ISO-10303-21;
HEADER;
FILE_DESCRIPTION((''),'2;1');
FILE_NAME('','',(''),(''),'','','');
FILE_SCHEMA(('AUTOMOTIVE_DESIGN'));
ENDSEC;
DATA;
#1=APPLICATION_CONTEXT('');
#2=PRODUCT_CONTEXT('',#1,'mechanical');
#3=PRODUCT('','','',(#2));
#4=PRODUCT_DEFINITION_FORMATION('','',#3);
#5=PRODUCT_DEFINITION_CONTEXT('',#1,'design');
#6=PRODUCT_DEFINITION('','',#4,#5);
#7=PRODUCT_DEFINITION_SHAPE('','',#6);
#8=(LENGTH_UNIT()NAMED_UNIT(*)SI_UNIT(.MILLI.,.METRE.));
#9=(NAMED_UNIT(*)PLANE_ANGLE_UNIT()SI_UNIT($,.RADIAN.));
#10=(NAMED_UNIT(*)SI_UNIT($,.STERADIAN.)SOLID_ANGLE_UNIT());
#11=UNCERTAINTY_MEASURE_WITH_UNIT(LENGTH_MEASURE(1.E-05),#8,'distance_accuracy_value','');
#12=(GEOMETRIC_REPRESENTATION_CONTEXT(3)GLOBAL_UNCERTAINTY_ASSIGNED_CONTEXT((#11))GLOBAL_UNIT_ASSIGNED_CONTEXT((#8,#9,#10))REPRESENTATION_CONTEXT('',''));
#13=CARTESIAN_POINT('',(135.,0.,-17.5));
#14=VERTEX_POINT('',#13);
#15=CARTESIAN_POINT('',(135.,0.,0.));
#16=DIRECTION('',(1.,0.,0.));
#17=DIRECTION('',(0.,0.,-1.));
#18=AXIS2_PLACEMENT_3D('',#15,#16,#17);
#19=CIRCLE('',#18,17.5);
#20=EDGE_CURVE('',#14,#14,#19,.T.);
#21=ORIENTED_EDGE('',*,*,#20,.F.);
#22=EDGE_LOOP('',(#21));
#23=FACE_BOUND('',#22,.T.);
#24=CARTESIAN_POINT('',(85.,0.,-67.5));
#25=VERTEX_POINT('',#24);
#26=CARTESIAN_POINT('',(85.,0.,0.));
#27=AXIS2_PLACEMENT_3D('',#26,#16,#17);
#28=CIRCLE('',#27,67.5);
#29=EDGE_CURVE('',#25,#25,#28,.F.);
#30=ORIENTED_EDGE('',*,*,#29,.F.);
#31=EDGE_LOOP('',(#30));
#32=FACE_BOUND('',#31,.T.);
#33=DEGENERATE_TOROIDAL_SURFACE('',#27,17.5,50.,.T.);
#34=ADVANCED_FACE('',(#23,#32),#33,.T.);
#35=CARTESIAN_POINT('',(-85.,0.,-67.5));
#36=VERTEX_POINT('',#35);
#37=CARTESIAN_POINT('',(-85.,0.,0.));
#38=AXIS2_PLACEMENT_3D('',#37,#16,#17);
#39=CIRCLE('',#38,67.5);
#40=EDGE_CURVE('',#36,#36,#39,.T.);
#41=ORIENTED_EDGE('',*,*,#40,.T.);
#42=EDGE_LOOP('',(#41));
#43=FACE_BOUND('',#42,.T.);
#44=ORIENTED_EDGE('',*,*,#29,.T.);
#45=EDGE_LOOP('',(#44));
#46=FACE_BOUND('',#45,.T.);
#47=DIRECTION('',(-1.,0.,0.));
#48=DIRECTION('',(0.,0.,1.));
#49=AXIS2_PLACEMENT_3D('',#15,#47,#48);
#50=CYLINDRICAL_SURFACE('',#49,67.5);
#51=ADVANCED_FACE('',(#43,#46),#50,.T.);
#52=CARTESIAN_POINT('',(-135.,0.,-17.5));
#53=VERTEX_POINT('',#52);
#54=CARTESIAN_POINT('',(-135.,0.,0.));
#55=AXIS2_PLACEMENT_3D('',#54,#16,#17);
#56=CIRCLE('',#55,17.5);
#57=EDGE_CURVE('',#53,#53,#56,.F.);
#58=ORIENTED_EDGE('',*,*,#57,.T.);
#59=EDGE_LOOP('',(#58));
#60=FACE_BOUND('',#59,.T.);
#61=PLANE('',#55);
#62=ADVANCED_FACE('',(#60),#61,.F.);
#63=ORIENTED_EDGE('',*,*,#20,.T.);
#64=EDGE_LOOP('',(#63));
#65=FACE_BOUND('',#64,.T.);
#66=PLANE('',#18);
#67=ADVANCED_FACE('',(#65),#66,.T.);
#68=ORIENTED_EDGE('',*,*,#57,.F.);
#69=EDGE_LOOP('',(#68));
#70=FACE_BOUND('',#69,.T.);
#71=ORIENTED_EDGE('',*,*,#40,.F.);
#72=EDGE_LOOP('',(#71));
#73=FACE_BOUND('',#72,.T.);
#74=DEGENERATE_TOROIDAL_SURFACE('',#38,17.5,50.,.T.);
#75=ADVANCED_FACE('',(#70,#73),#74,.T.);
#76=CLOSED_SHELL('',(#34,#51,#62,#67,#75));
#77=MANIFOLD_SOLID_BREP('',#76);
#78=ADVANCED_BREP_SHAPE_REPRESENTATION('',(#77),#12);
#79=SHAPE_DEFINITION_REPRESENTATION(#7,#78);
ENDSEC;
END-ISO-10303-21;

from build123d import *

# Parameters (mm, degrees)
SKETCH1_R           = 67.5
BOSS_EXTRUDE1_DEPTH = 135
FILLET1_R           = 50


with BuildPart() as part:
    # Sketch1 → Boss-Extrude1 (new body, symmetric)
    with BuildSketch(Plane(origin=(0, 0, 0), x_dir=(0, 0, -1), z_dir=(1, 0, 0))):
        Circle(SKETCH1_R)
    extrude(amount=BOSS_EXTRUDE1_DEPTH, both=True)

    # Fillet1
    fillet1_edges = [part.edges().sort_by_distance(p)[0] for p in [
        (-135, 0, 67.5),
        (135, 0, 67.5),
    ]]
    fillet(fillet1_edges, radius=FILLET1_R)


solid = part.part
